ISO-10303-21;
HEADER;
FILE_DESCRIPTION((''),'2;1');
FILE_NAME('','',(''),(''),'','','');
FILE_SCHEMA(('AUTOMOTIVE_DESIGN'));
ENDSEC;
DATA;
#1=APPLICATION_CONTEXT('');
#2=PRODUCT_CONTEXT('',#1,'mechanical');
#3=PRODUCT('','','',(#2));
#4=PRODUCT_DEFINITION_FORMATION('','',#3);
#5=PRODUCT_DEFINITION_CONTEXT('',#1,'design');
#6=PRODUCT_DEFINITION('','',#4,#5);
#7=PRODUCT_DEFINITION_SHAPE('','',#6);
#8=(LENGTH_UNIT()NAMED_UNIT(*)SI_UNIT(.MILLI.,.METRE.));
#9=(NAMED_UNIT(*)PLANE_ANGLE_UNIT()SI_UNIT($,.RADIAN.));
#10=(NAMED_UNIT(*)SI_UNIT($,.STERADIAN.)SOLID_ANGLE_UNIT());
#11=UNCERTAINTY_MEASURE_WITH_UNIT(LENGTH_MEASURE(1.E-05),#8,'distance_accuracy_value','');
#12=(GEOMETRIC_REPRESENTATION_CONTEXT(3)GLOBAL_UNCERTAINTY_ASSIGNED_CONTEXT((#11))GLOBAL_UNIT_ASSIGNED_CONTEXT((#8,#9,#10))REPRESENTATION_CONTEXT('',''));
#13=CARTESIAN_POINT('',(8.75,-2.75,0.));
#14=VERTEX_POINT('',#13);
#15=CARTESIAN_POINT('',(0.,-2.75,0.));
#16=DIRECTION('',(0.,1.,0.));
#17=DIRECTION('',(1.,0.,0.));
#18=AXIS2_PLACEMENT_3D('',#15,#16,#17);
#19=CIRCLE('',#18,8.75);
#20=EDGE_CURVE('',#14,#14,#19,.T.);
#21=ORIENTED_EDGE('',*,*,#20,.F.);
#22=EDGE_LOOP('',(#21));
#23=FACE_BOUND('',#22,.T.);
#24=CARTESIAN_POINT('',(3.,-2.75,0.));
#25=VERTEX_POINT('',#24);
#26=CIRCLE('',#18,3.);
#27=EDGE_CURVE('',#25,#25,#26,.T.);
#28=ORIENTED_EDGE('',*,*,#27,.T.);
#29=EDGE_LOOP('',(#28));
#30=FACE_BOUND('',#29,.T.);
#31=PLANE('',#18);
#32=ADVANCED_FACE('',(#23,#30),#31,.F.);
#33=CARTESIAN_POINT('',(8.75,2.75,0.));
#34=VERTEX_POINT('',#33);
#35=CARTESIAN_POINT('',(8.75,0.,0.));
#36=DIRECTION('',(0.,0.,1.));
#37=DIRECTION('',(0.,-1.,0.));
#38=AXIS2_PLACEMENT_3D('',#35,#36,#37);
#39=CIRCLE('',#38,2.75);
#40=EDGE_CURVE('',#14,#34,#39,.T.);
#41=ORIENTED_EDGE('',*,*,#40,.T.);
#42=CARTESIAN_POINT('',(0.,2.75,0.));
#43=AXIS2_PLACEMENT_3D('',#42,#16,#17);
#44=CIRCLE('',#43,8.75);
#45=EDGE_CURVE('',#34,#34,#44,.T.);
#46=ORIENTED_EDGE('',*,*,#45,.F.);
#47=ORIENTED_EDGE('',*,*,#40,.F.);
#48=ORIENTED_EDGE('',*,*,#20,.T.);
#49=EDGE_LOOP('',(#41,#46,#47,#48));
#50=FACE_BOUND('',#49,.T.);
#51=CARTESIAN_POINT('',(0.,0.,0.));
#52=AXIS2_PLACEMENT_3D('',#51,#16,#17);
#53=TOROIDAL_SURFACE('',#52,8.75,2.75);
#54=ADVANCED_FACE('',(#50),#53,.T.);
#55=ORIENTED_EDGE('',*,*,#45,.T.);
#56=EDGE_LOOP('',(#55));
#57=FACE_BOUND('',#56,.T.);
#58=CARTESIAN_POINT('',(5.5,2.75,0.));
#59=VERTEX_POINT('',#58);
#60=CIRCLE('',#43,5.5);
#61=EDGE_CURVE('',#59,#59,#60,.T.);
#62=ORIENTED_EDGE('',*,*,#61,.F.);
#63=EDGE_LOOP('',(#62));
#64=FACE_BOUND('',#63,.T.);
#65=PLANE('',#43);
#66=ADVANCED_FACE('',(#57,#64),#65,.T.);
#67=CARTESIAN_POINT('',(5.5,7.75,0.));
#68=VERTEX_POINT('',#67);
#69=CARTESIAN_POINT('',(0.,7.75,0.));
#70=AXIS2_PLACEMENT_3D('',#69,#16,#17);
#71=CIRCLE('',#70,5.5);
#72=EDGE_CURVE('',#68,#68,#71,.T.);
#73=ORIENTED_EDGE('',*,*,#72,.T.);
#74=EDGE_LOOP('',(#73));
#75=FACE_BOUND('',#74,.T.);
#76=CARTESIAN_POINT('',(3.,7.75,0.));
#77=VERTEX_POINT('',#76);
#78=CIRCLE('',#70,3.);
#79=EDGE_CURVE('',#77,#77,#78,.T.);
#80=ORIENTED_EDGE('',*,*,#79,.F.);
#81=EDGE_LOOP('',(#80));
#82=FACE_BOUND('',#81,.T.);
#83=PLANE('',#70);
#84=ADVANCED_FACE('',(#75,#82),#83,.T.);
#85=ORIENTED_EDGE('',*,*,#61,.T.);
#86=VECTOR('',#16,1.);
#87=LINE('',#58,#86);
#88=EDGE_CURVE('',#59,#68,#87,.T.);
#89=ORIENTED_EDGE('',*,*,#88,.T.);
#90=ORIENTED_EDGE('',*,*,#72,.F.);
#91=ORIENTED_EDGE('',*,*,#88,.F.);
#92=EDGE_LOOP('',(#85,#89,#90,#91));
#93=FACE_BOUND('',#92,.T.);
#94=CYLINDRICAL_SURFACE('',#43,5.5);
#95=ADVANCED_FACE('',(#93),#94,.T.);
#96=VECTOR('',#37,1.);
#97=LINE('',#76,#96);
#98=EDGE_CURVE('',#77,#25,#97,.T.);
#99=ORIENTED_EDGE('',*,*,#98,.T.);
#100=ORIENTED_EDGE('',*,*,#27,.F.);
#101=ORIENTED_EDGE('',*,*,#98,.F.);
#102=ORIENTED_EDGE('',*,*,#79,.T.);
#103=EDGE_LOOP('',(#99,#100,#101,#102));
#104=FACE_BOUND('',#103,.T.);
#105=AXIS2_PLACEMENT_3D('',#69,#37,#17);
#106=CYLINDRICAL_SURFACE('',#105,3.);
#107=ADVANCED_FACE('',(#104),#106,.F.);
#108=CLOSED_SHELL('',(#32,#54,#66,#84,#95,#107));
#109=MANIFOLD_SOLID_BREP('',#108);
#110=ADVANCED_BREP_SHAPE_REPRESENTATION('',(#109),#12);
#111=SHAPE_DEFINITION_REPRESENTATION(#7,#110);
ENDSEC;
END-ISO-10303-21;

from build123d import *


with BuildPart() as f1:
    # F0 (on Top) → F1 (revolve)
    with BuildSketch(Plane.XY):
        with BuildLine():
            Line((3, -2.75), (8.75, -2.75))
            ThreePointArc((8.75, -2.75), (11.5, 0), (8.75, 2.75))
            Line((8.75, 2.75), (5.5, 2.75))
            Line((5.5, 2.75), (5.5, 7.75))
            Line((5.5, 7.75), (3, 7.75))
            Line((3, 7.75), (3, -2.75))
        make_face()
    revolve(axis=Axis((0, 2.954317, 0), (0, 1, 0)))


solid = f1.part
